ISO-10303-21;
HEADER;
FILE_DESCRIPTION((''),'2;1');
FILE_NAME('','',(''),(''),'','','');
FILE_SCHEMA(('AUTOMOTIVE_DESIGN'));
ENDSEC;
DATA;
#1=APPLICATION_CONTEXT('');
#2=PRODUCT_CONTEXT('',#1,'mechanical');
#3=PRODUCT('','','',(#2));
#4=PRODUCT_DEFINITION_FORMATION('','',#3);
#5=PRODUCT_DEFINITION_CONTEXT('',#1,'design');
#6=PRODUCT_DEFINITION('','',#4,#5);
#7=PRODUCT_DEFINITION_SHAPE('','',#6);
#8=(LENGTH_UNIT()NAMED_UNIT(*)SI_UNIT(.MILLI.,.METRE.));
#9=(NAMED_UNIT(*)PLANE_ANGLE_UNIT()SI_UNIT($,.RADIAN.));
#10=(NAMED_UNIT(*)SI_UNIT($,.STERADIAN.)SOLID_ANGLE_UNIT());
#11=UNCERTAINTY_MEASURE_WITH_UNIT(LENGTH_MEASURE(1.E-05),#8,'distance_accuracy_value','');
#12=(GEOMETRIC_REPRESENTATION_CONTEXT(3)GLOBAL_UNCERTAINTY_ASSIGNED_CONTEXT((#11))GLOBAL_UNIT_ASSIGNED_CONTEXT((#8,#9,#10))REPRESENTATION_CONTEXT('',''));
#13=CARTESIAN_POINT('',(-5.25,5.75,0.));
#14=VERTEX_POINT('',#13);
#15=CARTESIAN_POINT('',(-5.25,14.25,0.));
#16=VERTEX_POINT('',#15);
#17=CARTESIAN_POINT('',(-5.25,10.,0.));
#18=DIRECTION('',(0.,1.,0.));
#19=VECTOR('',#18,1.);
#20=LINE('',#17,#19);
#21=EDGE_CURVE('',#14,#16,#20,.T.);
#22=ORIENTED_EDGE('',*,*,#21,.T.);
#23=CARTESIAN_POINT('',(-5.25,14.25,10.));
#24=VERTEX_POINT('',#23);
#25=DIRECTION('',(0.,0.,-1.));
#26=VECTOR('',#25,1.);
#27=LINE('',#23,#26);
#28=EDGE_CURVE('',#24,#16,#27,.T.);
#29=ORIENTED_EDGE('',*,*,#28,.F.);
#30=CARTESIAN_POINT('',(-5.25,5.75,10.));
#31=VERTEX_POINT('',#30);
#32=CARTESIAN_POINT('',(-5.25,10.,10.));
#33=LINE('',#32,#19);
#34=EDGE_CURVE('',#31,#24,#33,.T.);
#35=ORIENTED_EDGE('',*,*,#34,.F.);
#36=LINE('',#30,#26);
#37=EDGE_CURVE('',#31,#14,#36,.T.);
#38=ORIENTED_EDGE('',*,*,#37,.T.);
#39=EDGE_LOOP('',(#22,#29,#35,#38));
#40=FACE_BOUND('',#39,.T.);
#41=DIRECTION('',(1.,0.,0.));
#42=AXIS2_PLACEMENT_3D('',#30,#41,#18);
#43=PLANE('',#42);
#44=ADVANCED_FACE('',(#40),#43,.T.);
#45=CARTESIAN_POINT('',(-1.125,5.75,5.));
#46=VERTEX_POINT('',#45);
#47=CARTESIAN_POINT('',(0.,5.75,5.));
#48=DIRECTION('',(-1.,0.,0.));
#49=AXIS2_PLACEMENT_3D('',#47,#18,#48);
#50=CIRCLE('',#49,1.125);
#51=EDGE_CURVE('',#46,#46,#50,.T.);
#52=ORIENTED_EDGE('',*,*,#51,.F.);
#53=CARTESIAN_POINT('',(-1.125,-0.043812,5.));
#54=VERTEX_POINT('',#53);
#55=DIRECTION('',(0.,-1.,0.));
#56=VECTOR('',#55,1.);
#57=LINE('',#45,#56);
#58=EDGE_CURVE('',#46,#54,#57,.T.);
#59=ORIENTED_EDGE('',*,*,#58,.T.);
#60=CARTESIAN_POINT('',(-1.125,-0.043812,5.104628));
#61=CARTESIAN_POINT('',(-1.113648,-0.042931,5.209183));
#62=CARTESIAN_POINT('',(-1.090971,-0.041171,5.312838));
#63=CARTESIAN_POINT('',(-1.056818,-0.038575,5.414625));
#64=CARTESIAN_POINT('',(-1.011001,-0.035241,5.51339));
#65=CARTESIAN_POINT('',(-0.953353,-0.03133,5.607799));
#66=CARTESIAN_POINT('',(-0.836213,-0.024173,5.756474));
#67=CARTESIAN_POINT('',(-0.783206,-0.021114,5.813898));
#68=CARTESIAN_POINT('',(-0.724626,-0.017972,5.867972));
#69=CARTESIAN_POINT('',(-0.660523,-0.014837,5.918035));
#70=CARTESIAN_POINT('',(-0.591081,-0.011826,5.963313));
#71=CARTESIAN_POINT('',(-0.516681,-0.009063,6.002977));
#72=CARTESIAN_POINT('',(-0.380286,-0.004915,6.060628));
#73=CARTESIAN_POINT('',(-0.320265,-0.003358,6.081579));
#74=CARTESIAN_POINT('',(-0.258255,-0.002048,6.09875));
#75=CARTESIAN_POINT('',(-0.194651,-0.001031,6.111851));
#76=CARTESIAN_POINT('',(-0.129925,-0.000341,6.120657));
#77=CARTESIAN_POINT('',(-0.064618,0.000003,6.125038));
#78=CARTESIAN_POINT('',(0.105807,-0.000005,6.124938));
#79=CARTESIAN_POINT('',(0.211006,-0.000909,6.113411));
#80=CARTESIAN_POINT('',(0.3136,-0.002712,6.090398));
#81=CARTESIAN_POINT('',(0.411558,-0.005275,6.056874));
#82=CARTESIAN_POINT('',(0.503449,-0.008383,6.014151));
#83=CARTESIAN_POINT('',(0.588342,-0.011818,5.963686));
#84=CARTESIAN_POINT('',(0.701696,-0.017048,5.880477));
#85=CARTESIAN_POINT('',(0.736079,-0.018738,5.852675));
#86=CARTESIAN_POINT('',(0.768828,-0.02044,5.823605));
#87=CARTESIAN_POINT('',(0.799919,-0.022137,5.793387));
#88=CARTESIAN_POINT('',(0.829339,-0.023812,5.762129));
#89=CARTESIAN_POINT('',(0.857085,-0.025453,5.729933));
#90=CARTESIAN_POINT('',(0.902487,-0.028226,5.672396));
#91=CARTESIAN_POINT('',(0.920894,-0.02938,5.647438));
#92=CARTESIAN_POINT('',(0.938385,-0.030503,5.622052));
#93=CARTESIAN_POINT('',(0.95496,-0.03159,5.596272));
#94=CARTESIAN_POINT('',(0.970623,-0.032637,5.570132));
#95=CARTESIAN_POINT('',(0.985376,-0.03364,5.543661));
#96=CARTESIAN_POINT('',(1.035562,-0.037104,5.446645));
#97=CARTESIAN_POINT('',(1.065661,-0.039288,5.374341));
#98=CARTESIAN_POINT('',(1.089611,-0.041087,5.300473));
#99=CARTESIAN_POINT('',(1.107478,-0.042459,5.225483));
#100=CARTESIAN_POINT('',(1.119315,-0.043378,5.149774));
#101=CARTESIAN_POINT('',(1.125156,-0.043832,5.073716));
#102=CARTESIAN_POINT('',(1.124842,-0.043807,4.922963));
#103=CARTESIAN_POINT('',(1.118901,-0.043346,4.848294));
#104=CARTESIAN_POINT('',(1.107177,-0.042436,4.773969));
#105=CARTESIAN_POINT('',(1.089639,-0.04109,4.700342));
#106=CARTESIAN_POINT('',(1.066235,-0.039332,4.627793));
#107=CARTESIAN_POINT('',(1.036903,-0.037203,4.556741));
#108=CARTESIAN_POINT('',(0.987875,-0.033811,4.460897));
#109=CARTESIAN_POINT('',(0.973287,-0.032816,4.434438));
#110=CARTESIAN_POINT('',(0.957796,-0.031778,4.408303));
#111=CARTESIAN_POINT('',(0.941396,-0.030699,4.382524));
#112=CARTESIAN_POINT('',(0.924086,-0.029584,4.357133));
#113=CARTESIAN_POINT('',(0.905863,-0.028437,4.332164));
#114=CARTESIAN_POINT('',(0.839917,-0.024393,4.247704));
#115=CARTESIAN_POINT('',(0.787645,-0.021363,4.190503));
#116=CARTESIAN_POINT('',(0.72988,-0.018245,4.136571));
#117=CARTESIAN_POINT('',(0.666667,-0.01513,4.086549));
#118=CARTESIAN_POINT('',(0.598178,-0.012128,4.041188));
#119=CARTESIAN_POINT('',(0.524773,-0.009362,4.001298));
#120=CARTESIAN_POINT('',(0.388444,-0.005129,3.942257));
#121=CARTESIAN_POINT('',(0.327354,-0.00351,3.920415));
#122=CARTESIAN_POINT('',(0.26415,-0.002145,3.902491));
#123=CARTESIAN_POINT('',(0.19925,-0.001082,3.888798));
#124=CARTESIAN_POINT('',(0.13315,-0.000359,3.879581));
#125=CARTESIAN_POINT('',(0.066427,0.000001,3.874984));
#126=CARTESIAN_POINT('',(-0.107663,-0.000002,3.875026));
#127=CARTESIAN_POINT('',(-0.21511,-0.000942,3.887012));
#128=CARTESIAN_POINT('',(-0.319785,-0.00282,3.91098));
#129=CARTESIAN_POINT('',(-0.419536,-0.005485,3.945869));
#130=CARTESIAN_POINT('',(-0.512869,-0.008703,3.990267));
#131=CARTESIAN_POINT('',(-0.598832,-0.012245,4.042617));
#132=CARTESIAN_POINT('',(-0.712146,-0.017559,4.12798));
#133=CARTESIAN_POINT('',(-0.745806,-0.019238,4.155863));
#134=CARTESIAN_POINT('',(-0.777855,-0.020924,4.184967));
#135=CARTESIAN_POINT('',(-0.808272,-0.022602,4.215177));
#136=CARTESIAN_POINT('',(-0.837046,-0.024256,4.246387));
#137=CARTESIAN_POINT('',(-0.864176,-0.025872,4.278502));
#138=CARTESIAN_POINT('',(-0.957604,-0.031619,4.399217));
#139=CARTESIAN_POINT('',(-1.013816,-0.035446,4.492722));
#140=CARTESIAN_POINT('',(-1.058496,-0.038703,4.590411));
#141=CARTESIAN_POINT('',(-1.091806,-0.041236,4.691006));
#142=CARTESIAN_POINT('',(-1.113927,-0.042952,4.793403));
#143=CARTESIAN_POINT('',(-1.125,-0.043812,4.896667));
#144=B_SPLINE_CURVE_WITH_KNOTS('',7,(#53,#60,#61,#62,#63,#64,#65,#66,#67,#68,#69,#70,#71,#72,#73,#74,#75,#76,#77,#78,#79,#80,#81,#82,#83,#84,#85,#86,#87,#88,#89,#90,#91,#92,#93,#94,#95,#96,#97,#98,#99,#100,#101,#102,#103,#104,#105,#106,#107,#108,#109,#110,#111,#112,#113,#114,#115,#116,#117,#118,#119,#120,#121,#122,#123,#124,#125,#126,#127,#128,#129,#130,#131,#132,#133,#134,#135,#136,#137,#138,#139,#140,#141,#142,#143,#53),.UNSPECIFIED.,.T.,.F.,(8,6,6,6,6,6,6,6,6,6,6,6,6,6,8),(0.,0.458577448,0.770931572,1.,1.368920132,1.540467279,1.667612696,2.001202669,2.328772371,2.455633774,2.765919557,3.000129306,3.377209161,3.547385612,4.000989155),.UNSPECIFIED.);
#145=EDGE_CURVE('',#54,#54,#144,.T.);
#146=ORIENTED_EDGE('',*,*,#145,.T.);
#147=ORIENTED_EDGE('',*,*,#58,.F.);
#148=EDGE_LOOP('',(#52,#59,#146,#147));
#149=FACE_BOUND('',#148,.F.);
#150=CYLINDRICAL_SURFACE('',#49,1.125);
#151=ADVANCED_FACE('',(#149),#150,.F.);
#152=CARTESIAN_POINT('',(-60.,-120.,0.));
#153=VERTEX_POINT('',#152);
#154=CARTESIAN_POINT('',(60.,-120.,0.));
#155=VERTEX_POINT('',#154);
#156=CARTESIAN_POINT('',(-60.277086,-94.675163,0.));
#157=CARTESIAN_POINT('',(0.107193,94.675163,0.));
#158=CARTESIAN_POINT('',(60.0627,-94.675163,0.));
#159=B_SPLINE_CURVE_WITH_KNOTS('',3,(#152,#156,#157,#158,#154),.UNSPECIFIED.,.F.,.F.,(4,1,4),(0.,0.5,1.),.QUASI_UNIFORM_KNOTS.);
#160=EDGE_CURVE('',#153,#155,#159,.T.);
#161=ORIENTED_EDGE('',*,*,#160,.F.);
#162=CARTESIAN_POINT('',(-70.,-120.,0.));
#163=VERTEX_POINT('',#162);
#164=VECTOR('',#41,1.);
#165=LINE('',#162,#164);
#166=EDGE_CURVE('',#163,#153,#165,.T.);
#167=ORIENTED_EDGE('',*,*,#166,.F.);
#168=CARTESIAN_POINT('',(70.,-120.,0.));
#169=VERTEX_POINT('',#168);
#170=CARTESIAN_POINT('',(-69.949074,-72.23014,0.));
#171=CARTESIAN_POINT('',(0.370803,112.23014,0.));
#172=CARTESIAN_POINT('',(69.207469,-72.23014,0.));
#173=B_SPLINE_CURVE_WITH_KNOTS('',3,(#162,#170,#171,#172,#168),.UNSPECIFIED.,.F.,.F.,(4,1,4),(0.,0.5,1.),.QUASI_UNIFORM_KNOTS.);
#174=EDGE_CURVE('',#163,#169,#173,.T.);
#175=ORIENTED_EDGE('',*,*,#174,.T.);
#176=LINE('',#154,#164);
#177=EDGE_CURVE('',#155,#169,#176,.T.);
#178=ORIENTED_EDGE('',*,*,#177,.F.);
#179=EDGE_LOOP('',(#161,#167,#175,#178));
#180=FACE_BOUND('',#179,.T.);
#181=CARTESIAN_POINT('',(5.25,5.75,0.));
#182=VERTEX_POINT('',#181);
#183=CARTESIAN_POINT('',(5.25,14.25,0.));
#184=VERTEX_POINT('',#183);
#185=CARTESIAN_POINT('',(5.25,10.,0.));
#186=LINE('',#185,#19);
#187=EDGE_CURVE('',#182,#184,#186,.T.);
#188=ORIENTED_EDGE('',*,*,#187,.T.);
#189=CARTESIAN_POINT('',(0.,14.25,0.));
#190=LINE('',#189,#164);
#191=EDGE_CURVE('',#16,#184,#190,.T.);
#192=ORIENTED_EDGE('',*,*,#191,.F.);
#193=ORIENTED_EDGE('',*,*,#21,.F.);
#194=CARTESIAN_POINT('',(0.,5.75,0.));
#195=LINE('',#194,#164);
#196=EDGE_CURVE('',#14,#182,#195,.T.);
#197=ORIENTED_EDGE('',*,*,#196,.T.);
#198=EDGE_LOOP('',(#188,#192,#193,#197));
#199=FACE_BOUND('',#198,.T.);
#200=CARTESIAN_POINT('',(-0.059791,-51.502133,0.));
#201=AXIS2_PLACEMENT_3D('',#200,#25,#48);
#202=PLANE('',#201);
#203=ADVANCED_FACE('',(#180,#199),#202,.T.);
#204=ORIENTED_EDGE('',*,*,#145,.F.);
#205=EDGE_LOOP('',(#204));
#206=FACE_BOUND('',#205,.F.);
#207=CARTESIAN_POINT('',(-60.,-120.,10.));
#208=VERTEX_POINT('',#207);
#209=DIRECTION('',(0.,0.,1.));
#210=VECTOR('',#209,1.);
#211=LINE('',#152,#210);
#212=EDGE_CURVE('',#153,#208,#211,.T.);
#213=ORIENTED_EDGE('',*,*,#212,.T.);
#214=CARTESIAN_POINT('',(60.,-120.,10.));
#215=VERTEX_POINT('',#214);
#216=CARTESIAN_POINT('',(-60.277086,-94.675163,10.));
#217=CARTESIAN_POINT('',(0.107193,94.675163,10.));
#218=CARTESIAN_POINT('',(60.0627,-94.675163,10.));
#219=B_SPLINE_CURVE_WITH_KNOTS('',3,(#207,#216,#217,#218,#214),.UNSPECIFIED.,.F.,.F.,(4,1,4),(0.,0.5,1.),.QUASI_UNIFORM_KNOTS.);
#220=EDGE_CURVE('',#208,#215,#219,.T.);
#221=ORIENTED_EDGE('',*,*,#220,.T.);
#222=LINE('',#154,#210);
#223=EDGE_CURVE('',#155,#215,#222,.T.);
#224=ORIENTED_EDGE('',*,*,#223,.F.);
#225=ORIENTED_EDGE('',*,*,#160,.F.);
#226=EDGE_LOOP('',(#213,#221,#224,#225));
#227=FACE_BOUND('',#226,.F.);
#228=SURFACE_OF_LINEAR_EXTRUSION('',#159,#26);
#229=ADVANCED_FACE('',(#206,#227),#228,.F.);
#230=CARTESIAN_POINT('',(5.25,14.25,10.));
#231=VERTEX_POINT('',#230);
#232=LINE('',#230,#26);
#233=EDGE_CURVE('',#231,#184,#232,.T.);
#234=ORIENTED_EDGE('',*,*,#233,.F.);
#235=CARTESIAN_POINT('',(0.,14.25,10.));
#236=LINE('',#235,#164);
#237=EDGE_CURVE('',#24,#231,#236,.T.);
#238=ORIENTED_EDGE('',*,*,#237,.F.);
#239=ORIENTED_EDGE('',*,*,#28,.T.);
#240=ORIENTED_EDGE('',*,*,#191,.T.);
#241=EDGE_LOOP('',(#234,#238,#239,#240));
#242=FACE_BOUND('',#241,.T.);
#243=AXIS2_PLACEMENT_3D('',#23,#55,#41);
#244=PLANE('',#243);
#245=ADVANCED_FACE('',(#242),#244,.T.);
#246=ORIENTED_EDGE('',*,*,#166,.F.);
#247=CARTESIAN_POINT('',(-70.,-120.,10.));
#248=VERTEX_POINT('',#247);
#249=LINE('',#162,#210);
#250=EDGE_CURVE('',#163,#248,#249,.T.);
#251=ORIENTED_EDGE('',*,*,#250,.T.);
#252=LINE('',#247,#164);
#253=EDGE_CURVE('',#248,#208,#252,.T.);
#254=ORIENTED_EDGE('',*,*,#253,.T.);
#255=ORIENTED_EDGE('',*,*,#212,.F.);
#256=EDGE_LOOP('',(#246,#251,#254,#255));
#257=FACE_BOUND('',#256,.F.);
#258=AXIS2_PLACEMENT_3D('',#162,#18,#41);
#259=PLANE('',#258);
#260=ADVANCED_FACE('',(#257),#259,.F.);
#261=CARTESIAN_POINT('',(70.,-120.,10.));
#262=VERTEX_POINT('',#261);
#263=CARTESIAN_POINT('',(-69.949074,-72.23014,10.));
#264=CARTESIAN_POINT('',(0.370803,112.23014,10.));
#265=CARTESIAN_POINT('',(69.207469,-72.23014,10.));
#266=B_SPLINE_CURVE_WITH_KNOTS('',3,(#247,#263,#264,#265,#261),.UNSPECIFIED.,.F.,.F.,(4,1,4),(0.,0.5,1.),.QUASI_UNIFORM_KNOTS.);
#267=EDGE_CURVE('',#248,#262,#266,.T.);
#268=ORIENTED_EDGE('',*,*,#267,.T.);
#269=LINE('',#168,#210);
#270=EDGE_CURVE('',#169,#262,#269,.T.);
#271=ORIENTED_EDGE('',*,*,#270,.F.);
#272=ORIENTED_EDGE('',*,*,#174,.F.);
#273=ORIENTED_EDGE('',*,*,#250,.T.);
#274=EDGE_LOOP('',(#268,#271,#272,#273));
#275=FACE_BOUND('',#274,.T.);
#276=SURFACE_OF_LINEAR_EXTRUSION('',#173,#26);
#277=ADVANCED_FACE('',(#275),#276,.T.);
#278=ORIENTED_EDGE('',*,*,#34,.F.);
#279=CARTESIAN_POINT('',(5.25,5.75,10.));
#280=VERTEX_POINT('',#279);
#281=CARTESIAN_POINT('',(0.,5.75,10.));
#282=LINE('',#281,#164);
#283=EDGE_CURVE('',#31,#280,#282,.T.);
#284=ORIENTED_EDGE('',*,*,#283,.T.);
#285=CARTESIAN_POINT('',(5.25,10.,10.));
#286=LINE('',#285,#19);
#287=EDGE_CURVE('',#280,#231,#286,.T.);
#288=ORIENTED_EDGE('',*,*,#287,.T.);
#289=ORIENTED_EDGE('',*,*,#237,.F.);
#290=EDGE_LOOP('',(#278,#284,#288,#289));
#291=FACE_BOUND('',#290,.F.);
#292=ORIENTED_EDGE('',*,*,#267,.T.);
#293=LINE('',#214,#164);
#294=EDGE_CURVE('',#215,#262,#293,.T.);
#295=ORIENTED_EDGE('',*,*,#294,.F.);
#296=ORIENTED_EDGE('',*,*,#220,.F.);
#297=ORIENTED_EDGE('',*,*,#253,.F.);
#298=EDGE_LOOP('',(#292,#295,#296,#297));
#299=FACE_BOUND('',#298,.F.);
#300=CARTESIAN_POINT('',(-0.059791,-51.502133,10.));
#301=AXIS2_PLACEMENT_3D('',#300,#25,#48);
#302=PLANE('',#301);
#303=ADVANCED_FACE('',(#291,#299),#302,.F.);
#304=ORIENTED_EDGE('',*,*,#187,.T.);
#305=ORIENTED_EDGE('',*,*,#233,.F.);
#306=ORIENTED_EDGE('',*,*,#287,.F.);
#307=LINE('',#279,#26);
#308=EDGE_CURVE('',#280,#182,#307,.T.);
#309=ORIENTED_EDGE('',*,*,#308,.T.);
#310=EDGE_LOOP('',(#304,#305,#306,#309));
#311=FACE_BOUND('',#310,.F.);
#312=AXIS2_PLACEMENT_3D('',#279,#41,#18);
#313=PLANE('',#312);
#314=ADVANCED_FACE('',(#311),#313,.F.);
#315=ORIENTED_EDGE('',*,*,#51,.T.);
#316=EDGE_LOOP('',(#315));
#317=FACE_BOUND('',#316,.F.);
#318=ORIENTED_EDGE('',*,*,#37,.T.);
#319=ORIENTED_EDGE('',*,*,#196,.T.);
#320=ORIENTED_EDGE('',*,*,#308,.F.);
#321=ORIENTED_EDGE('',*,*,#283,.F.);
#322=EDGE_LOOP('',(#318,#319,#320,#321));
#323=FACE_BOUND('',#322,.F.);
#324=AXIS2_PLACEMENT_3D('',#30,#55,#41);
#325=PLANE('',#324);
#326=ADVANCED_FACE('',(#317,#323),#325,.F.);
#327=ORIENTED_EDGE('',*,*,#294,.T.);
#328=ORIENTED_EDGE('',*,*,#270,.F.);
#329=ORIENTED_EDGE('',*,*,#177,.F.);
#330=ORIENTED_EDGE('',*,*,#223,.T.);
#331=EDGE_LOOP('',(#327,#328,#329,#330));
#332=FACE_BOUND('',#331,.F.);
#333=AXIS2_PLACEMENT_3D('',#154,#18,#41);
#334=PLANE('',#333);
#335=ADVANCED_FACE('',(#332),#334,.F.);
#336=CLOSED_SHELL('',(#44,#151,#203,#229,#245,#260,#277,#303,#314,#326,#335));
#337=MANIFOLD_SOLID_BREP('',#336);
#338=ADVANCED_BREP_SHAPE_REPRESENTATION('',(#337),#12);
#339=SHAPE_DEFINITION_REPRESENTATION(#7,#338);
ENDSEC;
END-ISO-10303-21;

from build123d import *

# Parameters (mm, degrees)
F1_DEPTH = 10
F2_W     = 10.5
F2_H     = 8.5
F3_DEPTH = 10
F4_R     = 1.125
F5_DEPTH = 5.7948195458


with BuildPart() as f1:
    # F0 (on Top) → F1 (new body)
    with BuildSketch(Plane.XY):
        with BuildLine():
            add(Edge.make_bspline(
                [(-70, -120), (-69.9490740645, -72.2301395677), (0.3708027655, 112.2301395677), (69.2074685334, -72.2301395677), (70, -120)],
                knots=[0, 0, 0, 0, 0.5, 1, 1, 1, 1], degree=3))
            Line((-70, -120), (-60, -120))
            add(Edge.make_bspline(
                [(-60, -120), (-60.2770864151, -94.6751633451), (0.1071934019, 94.6751633451), (60.0626996113, -94.6751633451), (60, -120)],
                knots=[0, 0, 0, 0, 0.5, 1, 1, 1, 1], degree=3))
            Line((60, -120), (70, -120))
        make_face()
    extrude(amount=F1_DEPTH)

    # F2 (on face) → F3 (cut, through all)
    with BuildSketch(Plane.XY.offset(10)):
        with Locations((0, 10)):
            Rectangle(F2_W, F2_H)
    extrude(amount=-F3_DEPTH, mode=Mode.SUBTRACT)

    # F4 (on face) → F5 (cut, through all)
    with BuildSketch(Plane(origin=(0, 5.75, 0), x_dir=(-1, 0, 0), z_dir=(0, 1, 0))):
        with Locations((0, 5)):
            Circle(F4_R)
    extrude(amount=-F5_DEPTH, mode=Mode.SUBTRACT)


solid = f1.part
